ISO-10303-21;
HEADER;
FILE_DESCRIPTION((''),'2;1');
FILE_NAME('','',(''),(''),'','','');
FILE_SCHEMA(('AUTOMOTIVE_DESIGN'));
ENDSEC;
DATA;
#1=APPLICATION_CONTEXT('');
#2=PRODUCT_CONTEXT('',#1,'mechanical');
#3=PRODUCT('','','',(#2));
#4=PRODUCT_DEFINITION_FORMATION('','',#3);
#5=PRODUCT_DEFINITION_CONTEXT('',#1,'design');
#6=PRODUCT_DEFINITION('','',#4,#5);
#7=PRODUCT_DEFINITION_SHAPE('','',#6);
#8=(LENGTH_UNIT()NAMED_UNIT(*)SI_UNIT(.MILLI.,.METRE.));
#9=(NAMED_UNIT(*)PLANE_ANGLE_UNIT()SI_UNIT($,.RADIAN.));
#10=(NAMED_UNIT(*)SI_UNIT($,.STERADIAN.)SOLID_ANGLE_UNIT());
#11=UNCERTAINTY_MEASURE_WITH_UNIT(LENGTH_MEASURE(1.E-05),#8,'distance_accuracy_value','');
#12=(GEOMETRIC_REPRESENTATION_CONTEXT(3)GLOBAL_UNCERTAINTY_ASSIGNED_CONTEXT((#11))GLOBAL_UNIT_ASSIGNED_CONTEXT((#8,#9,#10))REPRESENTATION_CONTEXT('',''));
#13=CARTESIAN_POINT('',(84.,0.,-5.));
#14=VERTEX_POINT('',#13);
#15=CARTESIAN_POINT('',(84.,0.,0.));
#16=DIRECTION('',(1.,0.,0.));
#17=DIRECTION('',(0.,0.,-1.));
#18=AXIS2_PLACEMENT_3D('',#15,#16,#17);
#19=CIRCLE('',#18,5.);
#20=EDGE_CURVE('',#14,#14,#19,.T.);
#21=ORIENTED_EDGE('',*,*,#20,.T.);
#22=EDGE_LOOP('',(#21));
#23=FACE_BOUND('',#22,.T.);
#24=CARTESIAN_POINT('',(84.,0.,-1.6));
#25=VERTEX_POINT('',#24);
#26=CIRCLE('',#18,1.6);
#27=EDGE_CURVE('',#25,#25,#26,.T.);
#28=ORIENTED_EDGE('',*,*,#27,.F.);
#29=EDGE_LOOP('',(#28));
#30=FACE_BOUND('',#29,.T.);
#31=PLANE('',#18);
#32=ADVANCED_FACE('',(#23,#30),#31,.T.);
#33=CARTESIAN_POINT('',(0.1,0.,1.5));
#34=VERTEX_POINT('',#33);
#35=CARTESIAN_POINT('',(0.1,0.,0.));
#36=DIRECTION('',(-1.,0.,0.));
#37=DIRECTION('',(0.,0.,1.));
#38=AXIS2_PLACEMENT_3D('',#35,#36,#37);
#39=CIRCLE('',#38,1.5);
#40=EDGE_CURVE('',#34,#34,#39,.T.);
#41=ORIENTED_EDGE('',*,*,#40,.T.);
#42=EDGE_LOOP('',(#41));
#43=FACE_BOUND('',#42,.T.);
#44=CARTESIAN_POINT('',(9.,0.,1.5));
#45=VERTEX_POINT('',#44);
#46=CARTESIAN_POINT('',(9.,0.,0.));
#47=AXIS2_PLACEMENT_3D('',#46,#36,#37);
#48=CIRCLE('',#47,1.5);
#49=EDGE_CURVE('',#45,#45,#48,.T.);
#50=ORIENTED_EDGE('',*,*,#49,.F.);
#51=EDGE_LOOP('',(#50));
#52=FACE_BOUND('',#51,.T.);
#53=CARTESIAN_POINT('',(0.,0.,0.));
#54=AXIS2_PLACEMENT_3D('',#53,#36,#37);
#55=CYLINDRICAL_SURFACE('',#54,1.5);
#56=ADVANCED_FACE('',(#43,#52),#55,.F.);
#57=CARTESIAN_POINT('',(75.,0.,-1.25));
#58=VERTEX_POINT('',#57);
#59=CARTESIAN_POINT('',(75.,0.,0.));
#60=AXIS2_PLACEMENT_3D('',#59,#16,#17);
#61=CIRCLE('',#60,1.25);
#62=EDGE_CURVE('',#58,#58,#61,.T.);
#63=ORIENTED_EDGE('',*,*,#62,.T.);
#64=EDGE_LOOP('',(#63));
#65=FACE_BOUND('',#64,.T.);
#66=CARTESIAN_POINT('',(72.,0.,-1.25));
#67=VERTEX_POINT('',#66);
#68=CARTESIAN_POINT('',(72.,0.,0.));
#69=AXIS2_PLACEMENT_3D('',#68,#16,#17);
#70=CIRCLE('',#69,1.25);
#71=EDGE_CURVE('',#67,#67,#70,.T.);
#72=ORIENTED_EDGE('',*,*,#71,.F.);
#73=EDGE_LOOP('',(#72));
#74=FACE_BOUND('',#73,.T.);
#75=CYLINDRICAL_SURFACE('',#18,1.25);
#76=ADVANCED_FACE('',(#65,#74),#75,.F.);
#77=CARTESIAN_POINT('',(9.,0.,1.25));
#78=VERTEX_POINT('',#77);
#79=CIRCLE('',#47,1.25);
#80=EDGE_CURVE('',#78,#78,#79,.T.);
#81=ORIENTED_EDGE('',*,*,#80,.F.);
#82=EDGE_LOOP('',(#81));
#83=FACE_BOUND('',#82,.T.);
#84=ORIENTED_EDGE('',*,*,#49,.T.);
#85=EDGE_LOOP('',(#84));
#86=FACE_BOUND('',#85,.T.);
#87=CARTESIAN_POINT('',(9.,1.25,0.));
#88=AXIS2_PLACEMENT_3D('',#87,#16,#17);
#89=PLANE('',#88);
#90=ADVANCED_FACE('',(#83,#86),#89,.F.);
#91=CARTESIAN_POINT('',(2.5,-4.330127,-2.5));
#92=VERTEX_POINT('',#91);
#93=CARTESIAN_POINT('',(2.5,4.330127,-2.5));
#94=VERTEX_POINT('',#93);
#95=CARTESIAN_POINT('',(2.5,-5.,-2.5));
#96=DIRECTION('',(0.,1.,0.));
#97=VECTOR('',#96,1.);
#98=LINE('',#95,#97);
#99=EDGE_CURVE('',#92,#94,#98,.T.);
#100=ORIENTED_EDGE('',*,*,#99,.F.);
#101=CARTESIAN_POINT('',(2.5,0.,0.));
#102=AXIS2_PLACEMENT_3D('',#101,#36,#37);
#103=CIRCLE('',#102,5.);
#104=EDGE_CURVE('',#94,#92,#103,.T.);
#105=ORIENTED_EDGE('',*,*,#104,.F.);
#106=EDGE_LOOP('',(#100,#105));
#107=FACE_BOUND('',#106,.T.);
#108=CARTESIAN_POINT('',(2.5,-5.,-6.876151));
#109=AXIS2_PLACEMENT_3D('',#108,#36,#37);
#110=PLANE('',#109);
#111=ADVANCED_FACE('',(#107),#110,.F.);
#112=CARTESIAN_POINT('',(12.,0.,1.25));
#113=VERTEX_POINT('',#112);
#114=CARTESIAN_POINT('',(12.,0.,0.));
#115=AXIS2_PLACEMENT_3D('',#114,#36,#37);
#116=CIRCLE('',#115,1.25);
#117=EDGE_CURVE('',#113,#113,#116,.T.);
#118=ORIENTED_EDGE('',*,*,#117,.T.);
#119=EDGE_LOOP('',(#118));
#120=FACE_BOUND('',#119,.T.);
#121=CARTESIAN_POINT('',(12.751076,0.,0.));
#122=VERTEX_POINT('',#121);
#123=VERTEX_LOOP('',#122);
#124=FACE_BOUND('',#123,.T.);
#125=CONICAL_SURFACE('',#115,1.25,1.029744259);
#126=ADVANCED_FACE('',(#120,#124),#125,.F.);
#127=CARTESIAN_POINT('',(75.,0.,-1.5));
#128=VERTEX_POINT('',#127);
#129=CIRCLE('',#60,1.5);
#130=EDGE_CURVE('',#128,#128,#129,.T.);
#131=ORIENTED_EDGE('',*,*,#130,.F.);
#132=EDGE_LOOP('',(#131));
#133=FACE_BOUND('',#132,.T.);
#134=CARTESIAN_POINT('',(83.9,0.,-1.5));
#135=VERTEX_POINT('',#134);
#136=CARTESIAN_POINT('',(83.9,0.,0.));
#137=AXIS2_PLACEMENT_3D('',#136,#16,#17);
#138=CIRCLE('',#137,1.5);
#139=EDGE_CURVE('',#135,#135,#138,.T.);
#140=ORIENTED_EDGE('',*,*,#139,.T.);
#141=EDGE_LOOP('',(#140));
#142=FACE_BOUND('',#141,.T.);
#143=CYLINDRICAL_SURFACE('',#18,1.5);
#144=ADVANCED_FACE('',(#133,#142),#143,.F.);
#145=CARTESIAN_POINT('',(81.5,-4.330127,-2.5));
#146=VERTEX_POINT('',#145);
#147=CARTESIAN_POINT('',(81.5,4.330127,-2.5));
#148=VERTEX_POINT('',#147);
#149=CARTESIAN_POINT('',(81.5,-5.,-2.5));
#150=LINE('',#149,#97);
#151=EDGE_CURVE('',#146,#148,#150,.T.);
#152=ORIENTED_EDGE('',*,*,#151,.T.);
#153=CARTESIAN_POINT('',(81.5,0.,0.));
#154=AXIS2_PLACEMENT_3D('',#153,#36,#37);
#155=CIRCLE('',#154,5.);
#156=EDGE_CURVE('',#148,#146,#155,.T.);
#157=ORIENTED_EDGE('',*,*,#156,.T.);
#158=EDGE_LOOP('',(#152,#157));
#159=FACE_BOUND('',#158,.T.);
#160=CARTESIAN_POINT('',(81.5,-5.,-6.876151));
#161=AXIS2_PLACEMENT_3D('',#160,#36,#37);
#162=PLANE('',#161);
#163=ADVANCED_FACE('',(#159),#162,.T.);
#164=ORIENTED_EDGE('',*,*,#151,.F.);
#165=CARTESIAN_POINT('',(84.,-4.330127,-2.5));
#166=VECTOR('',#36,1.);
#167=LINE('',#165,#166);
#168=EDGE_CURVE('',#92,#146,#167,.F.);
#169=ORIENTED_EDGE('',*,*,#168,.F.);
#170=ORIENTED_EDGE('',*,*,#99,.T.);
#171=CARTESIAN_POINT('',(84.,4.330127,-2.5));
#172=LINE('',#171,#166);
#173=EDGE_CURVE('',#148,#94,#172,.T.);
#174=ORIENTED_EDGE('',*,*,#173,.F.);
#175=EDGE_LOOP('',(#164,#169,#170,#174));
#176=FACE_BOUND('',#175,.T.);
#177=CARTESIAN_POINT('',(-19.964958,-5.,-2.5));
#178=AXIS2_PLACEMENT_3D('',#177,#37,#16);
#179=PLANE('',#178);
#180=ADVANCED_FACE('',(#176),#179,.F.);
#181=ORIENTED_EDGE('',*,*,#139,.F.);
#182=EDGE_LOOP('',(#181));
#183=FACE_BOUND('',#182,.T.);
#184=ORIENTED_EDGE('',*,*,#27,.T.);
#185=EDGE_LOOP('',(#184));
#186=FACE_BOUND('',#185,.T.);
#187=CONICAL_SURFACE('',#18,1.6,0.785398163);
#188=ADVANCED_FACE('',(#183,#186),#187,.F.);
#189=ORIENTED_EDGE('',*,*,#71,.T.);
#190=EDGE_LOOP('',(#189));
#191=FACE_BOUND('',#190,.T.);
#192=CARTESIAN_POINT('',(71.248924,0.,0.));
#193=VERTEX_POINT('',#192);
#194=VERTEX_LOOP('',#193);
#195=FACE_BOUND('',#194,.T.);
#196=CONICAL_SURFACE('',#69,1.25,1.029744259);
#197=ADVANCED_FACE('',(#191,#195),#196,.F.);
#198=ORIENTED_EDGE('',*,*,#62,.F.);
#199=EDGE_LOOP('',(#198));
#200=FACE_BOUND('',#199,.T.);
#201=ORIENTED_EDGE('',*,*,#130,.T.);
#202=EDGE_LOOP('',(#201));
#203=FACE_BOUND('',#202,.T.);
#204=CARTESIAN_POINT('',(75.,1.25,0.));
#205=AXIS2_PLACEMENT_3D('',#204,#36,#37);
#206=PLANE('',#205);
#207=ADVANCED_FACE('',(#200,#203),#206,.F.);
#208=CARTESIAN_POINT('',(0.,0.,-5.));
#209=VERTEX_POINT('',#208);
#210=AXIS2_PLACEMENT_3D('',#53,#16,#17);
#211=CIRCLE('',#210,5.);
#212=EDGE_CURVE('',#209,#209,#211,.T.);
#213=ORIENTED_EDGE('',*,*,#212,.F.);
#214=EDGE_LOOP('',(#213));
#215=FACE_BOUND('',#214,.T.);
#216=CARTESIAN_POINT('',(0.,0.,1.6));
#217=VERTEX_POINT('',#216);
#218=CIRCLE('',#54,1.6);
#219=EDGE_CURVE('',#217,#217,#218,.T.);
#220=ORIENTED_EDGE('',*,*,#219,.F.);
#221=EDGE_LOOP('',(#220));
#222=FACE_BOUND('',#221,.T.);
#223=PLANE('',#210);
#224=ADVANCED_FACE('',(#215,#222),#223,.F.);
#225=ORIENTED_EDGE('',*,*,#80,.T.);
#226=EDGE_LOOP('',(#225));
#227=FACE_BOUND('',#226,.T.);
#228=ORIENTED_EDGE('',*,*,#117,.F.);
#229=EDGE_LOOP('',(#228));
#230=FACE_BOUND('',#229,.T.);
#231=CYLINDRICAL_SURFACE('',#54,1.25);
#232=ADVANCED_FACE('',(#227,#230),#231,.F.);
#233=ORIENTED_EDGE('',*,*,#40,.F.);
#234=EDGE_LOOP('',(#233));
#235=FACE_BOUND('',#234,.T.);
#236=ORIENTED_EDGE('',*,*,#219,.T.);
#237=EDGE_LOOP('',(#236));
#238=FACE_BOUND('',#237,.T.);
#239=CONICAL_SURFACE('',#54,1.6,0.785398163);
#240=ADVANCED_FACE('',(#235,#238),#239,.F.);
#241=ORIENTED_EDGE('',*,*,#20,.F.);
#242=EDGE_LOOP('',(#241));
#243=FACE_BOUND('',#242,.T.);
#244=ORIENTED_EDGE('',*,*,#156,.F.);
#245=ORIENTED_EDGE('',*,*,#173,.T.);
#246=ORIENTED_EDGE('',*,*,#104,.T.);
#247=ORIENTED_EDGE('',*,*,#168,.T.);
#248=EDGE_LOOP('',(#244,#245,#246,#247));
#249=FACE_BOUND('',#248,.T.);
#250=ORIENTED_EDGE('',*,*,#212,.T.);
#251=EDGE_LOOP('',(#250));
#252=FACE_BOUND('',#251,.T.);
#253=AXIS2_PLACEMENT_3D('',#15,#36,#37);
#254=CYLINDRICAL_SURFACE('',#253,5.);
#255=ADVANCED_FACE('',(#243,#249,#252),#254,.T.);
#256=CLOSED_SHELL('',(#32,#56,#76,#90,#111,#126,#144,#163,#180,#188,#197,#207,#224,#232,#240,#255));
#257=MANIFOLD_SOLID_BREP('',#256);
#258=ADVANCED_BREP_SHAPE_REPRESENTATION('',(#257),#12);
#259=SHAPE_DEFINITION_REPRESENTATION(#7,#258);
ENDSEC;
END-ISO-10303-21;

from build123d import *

# Parameters (mm, degrees)
SKETCH_1_R               = 5
EXTRUDE_1_DEPTH          = 84
SKETCH_6_W               = 79
SKETCH_6_H               = 8.752302232
CUT_EXTRUDE_1_DEPTH      = 6
CUT_EXTRUDE_1_DEPTH_BACK = 6


with BuildPart() as part:
    # Эскиз1 → Бобышка-Вытянуть1 (new body)
    with BuildSketch(Plane(origin=(0, 0, 0), x_dir=(0, 0, -1), z_dir=(1, 0, 0))):
        Circle(SKETCH_1_R)
    extrude(amount=EXTRUDE_1_DEPTH)

    # Эскиз2 → Отверстие обработанное метчиком M31 (revolve, cut)
    with BuildSketch(Plane.ZX):
        Polygon((0, 0), (0, 12.751075774), (1.25, 12), (1.25, 9), (1.5, 9), (1.5, 0.1), (1.6, 0), align=None)
    revolve(axis=Axis((-6.35, 0, 0), (1, 0, 0)), mode=Mode.SUBTRACT)

    # Эскиз4 → Отверстие обработанное метчиком M32 (revolve, cut)
    with BuildSketch(Plane(origin=(84, 0, 0), x_dir=(0, 0, -1), z_dir=(0, 1, 0))):
        Polygon((0, 0), (0, 12.751075774), (1.25, 12), (1.25, 9), (1.5, 9), (1.5, 0.1), (1.6, 0), align=None)
    revolve(axis=Axis((90.35, 0, 0), (-1, 0, 0)), mode=Mode.SUBTRACT)

    # Эскиз6 → Вырез-Вытянуть1 (cut, two sides)
    with BuildSketch(Plane(origin=(0, 0, 0), x_dir=(1, 0, 0), z_dir=(0, 1, 0))) as cut_extrude_1_sk:
        with Locations((42, 6.876151116)):
            Rectangle(SKETCH_6_W, SKETCH_6_H)
    extrude(amount=CUT_EXTRUDE_1_DEPTH, mode=Mode.SUBTRACT)
    extrude(cut_extrude_1_sk.sketch, amount=-CUT_EXTRUDE_1_DEPTH_BACK, mode=Mode.SUBTRACT)


solid = part.part
